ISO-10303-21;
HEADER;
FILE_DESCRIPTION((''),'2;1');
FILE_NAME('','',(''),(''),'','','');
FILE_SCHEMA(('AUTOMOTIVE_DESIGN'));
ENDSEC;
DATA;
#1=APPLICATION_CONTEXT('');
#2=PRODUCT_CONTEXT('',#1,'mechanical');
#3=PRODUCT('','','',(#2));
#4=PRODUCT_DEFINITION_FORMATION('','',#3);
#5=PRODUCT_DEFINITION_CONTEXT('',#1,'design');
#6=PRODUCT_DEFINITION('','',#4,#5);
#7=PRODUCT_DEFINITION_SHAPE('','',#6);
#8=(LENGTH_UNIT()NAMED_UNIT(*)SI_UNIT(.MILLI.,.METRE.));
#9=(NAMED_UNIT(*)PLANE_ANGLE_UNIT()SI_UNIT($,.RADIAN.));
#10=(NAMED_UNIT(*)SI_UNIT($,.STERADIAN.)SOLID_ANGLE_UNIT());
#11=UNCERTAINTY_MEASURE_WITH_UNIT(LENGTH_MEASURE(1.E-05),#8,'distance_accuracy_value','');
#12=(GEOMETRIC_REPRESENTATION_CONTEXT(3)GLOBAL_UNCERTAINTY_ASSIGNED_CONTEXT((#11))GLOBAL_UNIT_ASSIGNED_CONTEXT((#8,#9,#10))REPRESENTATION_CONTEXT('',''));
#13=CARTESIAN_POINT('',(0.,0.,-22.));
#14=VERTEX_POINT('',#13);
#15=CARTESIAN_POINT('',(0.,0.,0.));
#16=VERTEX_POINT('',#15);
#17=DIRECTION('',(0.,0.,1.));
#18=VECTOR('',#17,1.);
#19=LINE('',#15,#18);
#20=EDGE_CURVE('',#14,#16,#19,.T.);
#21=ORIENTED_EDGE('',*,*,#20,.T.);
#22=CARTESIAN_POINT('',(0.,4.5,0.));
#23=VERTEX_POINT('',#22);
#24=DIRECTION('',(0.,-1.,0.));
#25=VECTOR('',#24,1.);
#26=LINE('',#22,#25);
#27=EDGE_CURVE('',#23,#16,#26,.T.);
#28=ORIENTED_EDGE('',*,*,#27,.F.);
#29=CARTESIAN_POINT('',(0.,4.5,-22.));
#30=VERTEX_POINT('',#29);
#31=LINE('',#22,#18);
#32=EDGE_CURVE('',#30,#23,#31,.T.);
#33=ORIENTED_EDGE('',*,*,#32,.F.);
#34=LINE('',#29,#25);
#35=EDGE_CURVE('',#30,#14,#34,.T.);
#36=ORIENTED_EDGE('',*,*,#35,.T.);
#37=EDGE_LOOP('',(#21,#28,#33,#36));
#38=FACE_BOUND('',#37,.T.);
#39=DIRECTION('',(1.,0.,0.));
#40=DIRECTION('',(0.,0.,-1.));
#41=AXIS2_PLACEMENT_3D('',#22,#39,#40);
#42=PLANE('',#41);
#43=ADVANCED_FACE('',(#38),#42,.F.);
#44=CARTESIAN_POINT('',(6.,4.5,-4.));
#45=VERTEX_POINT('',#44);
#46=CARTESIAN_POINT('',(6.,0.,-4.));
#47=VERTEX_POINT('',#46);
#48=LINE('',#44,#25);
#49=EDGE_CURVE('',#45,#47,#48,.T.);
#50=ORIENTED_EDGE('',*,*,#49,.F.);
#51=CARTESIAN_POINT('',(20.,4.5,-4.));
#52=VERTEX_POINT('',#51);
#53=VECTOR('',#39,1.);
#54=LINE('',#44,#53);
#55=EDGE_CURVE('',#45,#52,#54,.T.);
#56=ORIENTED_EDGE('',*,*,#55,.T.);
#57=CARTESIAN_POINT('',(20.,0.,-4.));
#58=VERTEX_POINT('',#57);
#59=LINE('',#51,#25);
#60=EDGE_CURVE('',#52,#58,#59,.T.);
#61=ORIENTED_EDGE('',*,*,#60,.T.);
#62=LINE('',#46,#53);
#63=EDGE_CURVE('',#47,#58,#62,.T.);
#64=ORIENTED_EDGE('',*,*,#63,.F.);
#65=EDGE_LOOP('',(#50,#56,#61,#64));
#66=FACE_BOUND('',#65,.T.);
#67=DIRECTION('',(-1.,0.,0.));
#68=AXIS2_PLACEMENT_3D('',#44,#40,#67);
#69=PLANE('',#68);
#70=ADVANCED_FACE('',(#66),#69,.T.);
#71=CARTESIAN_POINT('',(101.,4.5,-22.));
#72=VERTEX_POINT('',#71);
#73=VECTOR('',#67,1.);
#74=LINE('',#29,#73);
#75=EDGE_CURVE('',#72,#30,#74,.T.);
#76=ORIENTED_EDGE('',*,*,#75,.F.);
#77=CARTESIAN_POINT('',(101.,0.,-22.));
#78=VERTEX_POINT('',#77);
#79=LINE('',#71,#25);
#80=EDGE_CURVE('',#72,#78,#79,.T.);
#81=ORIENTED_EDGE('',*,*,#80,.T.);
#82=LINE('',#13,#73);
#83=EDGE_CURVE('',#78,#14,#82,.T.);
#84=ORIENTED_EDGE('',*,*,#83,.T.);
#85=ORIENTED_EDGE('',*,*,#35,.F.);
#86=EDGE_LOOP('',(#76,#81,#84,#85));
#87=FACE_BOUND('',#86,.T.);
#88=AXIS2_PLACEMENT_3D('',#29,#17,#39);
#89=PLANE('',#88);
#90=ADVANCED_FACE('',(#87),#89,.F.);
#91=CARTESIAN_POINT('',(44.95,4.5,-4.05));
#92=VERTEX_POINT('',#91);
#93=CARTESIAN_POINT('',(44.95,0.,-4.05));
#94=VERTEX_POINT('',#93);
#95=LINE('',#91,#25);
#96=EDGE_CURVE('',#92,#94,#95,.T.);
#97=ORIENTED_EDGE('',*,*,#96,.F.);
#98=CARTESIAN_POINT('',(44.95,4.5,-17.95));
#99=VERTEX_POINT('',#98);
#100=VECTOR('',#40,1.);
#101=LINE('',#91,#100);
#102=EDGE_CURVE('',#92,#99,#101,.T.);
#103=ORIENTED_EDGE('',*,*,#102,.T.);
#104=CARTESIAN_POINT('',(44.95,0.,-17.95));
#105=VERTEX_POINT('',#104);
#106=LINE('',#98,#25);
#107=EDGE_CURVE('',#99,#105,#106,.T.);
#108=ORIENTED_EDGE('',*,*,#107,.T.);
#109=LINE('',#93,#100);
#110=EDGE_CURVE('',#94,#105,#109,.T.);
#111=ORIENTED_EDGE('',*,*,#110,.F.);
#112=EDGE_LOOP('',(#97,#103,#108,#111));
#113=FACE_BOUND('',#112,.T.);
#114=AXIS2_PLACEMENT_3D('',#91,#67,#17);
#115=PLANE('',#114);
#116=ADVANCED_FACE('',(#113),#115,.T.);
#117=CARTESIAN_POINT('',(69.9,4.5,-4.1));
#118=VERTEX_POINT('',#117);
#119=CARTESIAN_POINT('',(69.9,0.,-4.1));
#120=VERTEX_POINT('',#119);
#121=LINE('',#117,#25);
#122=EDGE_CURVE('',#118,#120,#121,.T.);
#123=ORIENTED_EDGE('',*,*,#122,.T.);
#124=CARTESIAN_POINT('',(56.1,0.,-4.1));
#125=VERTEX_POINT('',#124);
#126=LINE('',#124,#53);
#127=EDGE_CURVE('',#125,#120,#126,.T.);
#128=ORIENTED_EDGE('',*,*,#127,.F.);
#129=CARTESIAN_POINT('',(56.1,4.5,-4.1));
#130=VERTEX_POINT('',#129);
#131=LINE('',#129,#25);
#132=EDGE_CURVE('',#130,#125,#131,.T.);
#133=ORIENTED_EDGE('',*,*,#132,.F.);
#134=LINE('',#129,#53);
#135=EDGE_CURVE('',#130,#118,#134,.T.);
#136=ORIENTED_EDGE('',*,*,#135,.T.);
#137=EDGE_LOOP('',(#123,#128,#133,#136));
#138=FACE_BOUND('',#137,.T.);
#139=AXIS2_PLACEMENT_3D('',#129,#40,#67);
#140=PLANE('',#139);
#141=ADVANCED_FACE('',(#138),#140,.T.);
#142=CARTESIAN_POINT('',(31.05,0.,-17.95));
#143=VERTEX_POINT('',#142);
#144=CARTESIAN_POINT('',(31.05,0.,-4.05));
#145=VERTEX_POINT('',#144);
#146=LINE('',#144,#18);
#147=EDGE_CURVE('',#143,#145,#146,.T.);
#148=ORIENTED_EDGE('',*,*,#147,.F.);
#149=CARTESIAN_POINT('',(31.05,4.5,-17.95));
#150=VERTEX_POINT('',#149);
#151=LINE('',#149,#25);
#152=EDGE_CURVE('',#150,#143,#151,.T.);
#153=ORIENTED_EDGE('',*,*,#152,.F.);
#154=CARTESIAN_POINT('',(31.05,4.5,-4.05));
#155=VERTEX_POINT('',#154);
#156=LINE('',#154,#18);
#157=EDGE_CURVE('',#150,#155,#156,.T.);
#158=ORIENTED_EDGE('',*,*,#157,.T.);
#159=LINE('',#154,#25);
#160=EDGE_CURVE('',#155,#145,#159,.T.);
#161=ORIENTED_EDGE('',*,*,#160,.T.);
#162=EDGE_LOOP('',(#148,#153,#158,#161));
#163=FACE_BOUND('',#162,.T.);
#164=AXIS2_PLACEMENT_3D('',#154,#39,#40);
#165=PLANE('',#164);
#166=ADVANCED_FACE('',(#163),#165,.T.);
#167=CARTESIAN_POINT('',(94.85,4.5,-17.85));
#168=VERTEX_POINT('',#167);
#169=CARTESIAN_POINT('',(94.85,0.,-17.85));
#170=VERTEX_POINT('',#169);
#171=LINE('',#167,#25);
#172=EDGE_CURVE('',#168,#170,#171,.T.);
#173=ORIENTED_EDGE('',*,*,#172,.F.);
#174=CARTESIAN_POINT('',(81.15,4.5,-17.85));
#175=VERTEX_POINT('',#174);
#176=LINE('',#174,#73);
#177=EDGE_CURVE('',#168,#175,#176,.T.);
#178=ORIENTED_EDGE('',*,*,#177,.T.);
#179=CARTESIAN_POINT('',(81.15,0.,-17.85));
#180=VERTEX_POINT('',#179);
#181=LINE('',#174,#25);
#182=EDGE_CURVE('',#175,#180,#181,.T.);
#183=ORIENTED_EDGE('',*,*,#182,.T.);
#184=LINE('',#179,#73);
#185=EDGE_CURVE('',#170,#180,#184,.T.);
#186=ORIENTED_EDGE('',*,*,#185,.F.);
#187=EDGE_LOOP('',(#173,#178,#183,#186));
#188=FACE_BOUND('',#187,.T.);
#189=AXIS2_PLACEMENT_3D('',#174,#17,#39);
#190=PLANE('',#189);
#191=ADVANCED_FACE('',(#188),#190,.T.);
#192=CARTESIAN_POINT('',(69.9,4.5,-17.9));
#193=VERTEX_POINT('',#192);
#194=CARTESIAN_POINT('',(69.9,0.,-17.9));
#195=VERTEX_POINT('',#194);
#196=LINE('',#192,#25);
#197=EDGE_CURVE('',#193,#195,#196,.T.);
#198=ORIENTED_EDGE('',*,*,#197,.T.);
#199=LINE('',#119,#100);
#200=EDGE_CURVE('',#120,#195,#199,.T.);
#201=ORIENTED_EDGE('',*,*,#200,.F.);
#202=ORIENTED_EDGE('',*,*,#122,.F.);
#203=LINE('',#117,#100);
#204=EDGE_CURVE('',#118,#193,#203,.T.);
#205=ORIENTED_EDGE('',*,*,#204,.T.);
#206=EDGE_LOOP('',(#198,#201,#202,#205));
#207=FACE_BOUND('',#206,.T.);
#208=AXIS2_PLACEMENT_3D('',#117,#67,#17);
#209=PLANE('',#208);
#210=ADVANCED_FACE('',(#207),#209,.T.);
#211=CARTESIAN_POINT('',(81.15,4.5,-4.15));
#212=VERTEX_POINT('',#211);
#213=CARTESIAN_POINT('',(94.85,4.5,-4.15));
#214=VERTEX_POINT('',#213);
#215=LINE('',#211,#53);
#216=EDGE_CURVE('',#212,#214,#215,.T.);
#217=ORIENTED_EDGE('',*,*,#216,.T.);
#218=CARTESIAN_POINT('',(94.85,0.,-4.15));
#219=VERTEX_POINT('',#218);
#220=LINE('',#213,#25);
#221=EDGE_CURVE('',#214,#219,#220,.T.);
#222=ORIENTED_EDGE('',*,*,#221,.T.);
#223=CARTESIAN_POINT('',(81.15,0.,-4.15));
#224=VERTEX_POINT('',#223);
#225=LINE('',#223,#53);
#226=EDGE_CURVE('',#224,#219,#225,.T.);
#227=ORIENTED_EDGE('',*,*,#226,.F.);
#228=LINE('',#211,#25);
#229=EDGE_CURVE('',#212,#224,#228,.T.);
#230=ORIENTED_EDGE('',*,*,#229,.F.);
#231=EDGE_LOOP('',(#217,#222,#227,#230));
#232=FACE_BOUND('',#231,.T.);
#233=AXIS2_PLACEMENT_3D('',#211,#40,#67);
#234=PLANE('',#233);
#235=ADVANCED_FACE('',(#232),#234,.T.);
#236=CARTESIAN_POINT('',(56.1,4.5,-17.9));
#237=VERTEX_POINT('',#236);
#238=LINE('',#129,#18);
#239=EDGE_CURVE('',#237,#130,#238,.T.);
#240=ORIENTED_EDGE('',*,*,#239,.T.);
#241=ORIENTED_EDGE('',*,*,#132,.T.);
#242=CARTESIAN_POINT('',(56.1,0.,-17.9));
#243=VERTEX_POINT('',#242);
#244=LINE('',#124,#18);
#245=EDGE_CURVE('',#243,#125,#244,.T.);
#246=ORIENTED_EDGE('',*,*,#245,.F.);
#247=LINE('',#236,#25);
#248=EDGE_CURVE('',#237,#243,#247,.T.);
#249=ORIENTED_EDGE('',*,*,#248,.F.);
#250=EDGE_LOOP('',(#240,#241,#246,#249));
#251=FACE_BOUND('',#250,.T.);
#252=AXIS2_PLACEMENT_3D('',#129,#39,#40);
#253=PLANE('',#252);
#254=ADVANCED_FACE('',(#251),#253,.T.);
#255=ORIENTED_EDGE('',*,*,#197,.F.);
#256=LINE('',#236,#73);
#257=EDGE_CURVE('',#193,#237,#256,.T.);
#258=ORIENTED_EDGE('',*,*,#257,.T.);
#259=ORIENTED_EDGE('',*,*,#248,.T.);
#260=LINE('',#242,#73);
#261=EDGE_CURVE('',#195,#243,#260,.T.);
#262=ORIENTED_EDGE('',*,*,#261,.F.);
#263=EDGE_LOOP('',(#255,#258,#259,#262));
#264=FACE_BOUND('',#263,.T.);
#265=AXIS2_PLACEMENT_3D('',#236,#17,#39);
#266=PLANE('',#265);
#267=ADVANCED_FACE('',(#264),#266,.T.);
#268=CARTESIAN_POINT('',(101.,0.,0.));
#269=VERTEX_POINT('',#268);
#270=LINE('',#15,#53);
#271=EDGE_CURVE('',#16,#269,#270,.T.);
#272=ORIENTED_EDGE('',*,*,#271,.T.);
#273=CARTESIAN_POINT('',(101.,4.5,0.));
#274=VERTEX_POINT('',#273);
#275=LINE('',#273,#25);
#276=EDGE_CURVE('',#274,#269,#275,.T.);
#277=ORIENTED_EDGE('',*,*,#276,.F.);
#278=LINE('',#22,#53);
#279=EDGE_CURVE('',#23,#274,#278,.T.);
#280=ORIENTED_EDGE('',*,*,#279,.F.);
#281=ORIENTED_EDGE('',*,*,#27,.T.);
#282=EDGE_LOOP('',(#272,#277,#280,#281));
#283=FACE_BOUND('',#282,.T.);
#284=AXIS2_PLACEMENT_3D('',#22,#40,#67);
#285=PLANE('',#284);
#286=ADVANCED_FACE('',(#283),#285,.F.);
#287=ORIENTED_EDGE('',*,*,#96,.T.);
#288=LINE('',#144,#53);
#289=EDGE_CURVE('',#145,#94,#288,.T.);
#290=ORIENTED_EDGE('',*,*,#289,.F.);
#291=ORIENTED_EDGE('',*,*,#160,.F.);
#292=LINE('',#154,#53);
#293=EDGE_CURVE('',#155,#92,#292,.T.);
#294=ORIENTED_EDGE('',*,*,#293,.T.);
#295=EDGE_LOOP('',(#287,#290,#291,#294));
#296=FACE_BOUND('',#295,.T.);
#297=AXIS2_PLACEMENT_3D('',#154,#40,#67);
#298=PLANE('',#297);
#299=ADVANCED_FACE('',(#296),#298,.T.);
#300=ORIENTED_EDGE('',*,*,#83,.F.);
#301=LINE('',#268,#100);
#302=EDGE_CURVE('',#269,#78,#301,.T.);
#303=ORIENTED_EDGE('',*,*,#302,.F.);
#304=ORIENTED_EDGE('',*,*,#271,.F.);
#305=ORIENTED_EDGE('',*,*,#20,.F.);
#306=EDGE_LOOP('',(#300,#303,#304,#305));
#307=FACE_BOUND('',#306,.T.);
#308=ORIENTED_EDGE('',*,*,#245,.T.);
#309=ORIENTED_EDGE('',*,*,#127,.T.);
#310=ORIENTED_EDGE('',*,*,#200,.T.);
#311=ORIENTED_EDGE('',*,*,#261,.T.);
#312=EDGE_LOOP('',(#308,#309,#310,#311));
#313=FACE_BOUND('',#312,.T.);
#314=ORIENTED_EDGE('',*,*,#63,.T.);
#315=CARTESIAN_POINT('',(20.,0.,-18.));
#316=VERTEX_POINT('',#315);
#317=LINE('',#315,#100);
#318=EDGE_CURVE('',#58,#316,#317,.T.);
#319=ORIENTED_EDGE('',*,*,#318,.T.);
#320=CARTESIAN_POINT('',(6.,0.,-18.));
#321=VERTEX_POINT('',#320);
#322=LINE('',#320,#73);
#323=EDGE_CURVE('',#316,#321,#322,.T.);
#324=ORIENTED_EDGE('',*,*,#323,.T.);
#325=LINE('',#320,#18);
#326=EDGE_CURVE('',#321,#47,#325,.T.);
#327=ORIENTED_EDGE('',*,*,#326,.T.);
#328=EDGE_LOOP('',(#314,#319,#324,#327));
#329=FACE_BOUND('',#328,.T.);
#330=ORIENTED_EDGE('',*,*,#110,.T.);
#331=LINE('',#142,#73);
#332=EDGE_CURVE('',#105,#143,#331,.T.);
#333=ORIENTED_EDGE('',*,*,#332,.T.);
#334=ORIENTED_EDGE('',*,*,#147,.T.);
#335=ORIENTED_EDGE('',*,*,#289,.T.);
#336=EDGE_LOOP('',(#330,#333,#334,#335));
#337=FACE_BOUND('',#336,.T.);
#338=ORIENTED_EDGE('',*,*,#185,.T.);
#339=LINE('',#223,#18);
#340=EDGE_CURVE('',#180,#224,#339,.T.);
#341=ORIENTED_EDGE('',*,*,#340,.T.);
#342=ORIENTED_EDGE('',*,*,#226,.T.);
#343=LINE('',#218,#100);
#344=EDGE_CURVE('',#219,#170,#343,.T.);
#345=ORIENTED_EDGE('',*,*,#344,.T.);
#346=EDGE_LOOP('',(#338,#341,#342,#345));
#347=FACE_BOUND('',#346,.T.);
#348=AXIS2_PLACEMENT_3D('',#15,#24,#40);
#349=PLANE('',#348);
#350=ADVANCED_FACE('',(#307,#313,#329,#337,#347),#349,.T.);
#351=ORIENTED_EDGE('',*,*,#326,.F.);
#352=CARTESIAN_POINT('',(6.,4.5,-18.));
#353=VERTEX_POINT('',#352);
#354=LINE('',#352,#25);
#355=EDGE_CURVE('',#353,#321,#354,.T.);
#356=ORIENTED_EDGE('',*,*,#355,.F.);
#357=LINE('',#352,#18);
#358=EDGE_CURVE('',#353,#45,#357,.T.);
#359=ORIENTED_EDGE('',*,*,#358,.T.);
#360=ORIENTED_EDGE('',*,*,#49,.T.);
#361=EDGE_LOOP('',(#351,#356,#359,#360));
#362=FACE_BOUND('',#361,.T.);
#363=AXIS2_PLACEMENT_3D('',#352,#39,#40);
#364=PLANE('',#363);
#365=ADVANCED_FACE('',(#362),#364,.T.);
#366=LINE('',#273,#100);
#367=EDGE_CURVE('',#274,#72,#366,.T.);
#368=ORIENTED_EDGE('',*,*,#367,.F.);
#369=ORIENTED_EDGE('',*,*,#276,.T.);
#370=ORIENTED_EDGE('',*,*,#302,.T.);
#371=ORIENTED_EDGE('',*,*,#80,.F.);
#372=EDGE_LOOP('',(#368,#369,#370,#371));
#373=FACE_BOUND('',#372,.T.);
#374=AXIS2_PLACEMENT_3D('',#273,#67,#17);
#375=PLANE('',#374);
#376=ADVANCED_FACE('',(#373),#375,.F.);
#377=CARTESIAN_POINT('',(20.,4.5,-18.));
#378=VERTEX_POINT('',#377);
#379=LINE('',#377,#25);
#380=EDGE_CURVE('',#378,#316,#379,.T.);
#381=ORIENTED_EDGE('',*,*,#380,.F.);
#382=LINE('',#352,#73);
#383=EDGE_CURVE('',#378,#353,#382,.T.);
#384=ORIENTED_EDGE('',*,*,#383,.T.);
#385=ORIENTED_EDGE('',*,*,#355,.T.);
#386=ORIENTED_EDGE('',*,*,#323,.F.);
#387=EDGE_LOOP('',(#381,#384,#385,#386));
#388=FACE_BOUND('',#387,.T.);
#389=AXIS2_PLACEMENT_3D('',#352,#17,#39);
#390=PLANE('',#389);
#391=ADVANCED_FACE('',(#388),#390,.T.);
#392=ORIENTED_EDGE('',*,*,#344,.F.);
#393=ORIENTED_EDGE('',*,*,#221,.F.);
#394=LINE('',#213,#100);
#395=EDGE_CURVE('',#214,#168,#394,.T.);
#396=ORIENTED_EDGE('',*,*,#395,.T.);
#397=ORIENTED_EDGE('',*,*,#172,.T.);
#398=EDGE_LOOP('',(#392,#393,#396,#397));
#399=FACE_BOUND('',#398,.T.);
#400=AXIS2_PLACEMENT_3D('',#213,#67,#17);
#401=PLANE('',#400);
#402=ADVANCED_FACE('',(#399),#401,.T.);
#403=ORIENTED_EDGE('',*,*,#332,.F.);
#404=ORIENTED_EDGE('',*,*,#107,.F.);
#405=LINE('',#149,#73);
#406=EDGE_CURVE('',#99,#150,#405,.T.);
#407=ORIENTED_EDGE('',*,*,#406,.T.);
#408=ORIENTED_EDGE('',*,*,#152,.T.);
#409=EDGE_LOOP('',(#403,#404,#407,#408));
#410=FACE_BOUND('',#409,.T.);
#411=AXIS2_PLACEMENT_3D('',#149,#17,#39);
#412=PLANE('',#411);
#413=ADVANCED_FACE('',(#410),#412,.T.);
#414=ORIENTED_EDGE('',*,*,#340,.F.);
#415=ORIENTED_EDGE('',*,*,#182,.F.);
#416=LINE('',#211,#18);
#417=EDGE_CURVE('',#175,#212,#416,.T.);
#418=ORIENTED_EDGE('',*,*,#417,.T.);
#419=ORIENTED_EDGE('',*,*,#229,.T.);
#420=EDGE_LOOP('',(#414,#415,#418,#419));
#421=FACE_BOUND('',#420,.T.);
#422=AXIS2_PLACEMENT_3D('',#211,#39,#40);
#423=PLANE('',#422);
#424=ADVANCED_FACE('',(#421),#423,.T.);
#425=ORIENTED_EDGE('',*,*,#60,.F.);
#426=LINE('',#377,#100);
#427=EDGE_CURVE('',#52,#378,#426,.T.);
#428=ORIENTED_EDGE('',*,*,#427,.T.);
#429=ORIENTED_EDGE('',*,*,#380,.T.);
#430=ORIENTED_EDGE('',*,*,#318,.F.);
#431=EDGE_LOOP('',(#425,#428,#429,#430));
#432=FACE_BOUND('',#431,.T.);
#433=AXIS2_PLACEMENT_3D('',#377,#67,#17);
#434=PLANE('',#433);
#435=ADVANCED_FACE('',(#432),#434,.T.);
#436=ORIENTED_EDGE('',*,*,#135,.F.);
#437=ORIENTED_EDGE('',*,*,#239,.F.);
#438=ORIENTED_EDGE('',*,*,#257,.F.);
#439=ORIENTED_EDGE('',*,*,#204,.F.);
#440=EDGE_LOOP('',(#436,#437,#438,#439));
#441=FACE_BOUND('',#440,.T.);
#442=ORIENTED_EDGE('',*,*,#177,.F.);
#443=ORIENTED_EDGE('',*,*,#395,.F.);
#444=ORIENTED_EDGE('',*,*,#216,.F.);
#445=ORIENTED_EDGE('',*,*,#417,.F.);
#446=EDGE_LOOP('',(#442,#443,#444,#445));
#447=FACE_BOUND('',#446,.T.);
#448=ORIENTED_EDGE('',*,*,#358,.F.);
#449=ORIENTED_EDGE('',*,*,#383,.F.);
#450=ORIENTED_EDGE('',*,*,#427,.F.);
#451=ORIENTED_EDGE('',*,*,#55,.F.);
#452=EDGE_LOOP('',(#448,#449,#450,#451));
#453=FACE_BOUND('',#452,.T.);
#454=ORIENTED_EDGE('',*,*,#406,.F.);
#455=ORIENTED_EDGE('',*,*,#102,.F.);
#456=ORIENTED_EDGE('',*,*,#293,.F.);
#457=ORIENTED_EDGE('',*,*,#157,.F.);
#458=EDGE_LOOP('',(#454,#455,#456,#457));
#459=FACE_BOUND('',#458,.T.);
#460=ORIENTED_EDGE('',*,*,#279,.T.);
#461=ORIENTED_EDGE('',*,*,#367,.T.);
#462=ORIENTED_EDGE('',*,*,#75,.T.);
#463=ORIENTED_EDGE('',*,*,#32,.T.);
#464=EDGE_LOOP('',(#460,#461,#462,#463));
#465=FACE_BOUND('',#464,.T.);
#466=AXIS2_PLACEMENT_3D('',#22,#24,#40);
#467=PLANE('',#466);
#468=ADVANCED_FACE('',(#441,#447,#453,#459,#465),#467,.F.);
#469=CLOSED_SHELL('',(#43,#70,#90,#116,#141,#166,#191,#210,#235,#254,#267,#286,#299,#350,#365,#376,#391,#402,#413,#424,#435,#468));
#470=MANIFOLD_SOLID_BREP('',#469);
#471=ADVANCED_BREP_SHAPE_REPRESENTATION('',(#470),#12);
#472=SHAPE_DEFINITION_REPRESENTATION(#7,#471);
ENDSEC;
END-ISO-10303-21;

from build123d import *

# Parameters (mm, degrees)
SKETCH3_W           = 101
SKETCH3_H           = 22
SKETCH3_W_2         = 14
SKETCH3_H_2         = 14
SKETCH3_W_3         = 13.9
SKETCH3_H_3         = 13.9
SKETCH3_W_4         = 13.8
SKETCH3_H_4         = 13.8
SKETCH3_W_5         = 13.7
SKETCH3_H_5         = 13.7
BOSS_EXTRUDE5_DEPTH = 4.5


with BuildPart() as part:
    # Sketch3 → Boss-Extrude5 (new body)
    with BuildSketch(Plane(origin=(0, 0, 0), x_dir=(1, 0, 0), z_dir=(0, 1, 0))):
        with Locations((50.5, 11)):
            Rectangle(SKETCH3_W, SKETCH3_H)
        with Locations((13, 11)):
            Rectangle(SKETCH3_W_2, SKETCH3_H_2, mode=Mode.SUBTRACT)
        with Locations((38, 11)):
            Rectangle(SKETCH3_W_3, SKETCH3_H_3, mode=Mode.SUBTRACT)
        with Locations((63, 11)):
            Rectangle(SKETCH3_W_4, SKETCH3_H_4, mode=Mode.SUBTRACT)
        with Locations((88, 11)):
            Rectangle(SKETCH3_W_5, SKETCH3_H_5, mode=Mode.SUBTRACT)
    extrude(amount=BOSS_EXTRUDE5_DEPTH)


solid = part.part
